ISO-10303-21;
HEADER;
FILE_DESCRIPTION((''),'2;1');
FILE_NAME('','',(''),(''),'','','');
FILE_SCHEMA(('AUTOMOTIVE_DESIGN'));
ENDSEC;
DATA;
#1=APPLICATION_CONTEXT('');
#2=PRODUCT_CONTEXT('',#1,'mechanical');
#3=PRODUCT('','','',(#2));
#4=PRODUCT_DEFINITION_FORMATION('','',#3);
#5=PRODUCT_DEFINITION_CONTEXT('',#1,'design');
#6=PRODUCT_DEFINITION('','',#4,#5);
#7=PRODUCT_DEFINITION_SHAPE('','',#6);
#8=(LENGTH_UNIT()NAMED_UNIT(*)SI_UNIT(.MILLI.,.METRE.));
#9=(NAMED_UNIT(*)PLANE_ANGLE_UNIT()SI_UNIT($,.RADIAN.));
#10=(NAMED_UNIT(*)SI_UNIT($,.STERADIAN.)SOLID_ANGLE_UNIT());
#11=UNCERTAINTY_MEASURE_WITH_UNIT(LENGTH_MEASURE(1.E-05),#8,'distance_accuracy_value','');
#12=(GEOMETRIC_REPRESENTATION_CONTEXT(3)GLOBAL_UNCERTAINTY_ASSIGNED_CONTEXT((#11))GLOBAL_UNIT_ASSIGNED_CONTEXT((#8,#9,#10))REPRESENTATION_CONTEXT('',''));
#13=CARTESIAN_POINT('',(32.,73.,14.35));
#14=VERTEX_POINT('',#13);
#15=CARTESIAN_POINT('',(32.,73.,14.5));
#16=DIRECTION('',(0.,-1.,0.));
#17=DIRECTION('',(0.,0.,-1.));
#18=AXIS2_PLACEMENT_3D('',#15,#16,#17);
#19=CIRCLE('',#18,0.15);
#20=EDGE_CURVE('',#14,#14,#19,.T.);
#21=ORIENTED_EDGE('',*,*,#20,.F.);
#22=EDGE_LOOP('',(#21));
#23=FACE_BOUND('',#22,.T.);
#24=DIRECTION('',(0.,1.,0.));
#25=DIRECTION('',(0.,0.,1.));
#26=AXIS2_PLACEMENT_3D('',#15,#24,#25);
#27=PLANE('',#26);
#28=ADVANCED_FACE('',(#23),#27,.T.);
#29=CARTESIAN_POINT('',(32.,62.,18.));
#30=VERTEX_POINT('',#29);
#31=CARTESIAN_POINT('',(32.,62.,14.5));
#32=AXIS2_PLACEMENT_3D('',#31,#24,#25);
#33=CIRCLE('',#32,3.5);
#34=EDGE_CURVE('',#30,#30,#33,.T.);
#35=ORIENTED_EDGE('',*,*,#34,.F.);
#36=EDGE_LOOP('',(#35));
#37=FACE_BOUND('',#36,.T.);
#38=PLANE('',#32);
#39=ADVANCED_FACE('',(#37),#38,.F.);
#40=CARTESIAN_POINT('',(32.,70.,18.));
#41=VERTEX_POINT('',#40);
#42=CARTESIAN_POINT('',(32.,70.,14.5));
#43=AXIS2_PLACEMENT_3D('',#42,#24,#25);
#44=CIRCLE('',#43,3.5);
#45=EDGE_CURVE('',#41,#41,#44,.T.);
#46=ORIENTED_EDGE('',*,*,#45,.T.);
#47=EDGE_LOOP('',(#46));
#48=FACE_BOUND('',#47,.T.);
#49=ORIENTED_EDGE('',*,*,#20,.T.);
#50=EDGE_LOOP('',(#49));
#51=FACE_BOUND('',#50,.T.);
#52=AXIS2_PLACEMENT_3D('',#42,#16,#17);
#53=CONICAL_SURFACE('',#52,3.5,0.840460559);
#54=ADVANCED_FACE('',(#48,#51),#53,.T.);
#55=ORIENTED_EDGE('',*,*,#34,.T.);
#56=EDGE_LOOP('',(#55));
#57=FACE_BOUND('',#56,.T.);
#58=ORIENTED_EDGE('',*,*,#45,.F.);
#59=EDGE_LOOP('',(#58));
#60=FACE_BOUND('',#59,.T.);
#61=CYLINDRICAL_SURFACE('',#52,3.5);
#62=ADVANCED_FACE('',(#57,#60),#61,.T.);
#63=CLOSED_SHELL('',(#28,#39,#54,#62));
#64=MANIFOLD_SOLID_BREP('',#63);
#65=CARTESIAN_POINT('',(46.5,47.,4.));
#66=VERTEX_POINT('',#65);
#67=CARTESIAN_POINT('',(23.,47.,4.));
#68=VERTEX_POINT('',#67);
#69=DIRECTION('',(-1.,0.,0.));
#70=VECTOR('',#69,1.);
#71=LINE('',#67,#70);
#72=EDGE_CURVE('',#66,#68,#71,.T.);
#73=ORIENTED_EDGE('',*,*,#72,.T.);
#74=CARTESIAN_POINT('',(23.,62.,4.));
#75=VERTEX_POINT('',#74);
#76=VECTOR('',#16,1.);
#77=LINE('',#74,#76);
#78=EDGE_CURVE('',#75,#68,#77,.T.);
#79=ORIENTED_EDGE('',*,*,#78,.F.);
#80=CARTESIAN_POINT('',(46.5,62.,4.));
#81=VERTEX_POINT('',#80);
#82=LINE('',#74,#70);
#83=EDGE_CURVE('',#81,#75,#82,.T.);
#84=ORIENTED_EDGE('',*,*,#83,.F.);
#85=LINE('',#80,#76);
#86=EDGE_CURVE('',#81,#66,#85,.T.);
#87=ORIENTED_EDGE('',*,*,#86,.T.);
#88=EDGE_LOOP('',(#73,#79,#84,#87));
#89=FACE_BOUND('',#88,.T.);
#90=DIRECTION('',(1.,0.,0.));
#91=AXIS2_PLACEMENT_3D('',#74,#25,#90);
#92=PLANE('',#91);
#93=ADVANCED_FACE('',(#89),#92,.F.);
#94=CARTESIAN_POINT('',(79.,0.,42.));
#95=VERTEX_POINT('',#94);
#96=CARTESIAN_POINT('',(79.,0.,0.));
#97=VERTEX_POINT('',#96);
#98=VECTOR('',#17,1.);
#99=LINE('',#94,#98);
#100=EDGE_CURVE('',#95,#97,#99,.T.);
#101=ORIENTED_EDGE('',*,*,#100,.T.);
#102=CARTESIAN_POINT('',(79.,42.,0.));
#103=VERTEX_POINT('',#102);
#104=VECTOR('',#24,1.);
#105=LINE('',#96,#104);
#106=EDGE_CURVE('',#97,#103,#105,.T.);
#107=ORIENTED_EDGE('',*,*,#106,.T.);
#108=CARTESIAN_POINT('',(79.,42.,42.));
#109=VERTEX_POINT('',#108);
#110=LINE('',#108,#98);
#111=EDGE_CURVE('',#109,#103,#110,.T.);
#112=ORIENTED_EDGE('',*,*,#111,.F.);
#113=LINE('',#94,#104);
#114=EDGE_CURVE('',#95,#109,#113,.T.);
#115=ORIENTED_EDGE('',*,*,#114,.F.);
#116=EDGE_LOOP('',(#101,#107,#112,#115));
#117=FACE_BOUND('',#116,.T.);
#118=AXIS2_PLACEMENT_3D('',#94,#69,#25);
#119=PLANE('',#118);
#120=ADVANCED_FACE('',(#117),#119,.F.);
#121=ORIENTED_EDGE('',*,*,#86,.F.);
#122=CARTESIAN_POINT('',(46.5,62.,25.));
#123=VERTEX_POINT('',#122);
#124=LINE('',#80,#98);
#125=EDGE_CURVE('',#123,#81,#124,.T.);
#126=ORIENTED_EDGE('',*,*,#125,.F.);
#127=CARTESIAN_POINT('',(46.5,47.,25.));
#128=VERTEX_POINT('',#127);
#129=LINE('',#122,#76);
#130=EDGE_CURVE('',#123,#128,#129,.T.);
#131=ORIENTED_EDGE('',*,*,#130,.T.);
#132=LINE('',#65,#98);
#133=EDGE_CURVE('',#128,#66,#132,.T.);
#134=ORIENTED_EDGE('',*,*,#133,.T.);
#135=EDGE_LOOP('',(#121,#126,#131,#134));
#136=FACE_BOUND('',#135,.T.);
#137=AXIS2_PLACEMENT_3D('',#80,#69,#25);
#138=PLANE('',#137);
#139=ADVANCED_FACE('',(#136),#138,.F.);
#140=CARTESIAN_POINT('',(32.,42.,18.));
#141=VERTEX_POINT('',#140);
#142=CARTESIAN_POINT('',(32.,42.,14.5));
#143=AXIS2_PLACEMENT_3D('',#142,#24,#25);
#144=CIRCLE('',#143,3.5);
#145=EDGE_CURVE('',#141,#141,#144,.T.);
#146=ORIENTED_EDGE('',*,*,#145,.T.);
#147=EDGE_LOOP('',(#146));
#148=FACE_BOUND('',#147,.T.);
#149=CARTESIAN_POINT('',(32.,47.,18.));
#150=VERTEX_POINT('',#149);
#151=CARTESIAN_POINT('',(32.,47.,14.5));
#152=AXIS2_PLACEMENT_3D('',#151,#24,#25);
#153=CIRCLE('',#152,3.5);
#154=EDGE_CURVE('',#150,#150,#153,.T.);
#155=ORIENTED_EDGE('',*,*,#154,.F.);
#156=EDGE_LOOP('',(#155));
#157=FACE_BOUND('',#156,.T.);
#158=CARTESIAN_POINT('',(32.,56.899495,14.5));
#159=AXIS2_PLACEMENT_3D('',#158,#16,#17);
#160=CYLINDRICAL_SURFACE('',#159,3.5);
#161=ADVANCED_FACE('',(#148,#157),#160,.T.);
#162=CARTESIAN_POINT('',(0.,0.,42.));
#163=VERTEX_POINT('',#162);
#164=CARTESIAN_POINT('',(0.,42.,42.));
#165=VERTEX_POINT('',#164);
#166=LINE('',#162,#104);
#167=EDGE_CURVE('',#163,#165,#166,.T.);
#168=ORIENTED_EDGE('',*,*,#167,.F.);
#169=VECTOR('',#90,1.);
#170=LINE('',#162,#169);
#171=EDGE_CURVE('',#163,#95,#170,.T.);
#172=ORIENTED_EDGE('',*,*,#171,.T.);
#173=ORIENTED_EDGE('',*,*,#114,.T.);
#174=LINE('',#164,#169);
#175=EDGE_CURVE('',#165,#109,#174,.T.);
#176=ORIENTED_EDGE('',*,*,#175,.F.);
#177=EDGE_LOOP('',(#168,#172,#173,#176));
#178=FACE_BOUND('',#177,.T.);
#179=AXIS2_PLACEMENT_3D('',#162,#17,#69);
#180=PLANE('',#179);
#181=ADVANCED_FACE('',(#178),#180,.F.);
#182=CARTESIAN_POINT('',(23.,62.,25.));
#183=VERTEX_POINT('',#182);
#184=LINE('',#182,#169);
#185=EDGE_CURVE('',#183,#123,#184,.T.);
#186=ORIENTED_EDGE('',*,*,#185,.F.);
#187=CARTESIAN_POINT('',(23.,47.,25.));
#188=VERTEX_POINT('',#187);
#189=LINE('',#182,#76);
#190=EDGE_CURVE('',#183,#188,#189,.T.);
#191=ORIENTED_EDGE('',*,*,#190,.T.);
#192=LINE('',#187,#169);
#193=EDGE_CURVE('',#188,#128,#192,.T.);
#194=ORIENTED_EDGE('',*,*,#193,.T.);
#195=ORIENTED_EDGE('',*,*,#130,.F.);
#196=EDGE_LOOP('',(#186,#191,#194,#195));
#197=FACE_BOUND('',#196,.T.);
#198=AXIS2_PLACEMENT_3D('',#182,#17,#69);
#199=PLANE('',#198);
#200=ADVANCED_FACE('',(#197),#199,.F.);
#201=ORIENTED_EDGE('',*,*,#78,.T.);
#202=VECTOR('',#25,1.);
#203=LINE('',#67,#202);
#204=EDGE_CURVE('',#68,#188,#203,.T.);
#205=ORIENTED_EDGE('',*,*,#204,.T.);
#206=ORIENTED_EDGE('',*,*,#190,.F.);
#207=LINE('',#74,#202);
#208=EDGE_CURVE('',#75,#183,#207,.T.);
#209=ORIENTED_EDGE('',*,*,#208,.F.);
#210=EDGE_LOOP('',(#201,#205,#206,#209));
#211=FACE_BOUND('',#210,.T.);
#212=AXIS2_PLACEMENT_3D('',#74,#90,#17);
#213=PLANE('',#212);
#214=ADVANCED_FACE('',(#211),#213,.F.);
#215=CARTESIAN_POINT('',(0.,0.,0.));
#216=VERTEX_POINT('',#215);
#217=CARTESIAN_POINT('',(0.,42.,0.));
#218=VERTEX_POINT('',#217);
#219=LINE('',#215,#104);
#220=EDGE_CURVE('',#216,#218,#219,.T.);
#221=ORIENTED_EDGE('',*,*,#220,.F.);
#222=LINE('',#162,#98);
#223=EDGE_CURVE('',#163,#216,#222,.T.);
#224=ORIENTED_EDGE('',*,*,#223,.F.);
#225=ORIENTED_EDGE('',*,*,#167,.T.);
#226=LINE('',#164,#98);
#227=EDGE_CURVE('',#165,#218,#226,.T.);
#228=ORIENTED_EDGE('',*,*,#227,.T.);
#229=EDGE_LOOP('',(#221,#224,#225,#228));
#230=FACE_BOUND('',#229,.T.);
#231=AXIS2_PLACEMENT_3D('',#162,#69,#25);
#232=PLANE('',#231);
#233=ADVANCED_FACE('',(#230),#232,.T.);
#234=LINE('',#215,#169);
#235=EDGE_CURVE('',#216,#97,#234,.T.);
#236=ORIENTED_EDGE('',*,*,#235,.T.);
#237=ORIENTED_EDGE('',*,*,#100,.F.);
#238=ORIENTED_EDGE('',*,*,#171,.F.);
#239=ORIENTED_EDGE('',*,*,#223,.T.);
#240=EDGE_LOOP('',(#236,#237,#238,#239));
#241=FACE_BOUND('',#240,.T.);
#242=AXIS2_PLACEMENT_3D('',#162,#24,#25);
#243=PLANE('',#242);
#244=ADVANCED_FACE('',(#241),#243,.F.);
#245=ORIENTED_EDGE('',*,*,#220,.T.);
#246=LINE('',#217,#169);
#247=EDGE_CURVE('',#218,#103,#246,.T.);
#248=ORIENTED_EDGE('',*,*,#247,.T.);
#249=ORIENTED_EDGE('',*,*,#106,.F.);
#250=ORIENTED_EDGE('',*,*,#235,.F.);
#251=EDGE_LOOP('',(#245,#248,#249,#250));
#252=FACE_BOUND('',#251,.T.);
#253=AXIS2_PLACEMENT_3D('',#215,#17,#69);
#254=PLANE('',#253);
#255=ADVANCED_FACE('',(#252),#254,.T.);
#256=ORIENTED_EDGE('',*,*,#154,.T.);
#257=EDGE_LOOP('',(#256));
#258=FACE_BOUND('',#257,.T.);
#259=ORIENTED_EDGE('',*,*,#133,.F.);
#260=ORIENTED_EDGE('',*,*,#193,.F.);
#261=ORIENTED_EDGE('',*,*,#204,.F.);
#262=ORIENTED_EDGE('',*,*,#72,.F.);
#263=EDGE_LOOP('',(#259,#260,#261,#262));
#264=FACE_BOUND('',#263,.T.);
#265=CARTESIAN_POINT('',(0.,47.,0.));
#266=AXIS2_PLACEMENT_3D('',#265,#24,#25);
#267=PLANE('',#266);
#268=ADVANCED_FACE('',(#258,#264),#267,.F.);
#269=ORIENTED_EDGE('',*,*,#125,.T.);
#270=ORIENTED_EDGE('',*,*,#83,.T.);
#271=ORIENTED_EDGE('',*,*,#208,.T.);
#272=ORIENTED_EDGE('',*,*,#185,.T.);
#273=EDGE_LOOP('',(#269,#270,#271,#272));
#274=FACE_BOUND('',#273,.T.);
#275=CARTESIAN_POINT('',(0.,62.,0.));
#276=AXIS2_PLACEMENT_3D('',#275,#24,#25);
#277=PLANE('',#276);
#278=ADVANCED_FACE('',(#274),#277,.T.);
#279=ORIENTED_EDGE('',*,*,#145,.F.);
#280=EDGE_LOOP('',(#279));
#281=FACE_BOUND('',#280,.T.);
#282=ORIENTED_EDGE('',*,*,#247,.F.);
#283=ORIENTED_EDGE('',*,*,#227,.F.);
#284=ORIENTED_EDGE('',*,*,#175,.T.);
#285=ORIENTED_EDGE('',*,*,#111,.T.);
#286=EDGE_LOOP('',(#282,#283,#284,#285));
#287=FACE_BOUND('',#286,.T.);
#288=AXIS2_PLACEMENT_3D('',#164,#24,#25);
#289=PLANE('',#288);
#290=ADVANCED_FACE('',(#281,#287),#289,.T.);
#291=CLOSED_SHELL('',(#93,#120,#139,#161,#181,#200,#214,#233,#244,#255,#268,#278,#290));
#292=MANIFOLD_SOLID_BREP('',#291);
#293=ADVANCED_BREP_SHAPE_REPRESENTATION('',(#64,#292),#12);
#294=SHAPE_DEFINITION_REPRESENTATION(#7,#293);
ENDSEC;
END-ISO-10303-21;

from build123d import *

# Parameters (mm, degrees)
SKETCH1_W           = 79
SKETCH1_H           = 42
BOSS_EXTRUDE1_DEPTH = 42
BOSS_EXTRUDE2_START = 5
SKETCH3_W           = 23.5
SKETCH3_H           = 21
BOSS_EXTRUDE2_DEPTH = 15
SKETCH4_R           = 3.5
BOSS_EXTRUDE3_DEPTH = 8
SKETCH6_R           = 3.5
BOSS_EXTRUDE4_DEPTH = 5


with BuildPart() as part:
    # Sketch1 → Boss-Extrude1 (new body)
    with BuildSketch(Plane.XY):
        with Locations((39.5, 21)):
            Rectangle(SKETCH1_W, SKETCH1_H)
    extrude(amount=BOSS_EXTRUDE1_DEPTH)



with BuildPart() as body_2:
    # Sketch3 → Boss-Extrude2 (new body)
    with BuildSketch(Plane(origin=(0, 42, 0), x_dir=(1, 0, 0), z_dir=(0, 1, 0)).offset(BOSS_EXTRUDE2_START)):
        with Locations((34.75, -14.5)):
            Rectangle(SKETCH3_W, SKETCH3_H)
    extrude(amount=BOSS_EXTRUDE2_DEPTH)


with BuildPart() as body_3:
    # Sketch4 → Boss-Extrude3 (new body)
    with BuildSketch(Plane(origin=(0, 62, 0), x_dir=(1, 0, 0), z_dir=(0, 1, 0))):
        with Locations((32, -14.5)):
            Circle(SKETCH4_R)
    extrude(amount=BOSS_EXTRUDE3_DEPTH)

    # Sketch5 → Revolve1 (revolve)
    with BuildSketch(Plane(origin=(0, 0, 14.5), x_dir=(-1, 0, 0), z_dir=(0, 0, -1))):
        Polygon((-32, 70), (-32, 73), (-31.85, 73), (-28.5, 70), align=None)
    revolve(axis=Axis((32, 70, 14.5), (0, 1, 0)))


with BuildPart() as part_1:
    add(part.part)

    add(body_2.part)  # Boss-Extrude4 merges body 2
    # Sketch6 → Boss-Extrude4 (add)
    with BuildSketch(Plane(origin=(0, 42, 0), x_dir=(1, 0, 0), z_dir=(0, 1, 0))):
        with Locations((32, -14.5)):
            Circle(SKETCH6_R)
    extrude(amount=BOSS_EXTRUDE4_DEPTH)


solid = Compound([body_3.part, part_1.part])
